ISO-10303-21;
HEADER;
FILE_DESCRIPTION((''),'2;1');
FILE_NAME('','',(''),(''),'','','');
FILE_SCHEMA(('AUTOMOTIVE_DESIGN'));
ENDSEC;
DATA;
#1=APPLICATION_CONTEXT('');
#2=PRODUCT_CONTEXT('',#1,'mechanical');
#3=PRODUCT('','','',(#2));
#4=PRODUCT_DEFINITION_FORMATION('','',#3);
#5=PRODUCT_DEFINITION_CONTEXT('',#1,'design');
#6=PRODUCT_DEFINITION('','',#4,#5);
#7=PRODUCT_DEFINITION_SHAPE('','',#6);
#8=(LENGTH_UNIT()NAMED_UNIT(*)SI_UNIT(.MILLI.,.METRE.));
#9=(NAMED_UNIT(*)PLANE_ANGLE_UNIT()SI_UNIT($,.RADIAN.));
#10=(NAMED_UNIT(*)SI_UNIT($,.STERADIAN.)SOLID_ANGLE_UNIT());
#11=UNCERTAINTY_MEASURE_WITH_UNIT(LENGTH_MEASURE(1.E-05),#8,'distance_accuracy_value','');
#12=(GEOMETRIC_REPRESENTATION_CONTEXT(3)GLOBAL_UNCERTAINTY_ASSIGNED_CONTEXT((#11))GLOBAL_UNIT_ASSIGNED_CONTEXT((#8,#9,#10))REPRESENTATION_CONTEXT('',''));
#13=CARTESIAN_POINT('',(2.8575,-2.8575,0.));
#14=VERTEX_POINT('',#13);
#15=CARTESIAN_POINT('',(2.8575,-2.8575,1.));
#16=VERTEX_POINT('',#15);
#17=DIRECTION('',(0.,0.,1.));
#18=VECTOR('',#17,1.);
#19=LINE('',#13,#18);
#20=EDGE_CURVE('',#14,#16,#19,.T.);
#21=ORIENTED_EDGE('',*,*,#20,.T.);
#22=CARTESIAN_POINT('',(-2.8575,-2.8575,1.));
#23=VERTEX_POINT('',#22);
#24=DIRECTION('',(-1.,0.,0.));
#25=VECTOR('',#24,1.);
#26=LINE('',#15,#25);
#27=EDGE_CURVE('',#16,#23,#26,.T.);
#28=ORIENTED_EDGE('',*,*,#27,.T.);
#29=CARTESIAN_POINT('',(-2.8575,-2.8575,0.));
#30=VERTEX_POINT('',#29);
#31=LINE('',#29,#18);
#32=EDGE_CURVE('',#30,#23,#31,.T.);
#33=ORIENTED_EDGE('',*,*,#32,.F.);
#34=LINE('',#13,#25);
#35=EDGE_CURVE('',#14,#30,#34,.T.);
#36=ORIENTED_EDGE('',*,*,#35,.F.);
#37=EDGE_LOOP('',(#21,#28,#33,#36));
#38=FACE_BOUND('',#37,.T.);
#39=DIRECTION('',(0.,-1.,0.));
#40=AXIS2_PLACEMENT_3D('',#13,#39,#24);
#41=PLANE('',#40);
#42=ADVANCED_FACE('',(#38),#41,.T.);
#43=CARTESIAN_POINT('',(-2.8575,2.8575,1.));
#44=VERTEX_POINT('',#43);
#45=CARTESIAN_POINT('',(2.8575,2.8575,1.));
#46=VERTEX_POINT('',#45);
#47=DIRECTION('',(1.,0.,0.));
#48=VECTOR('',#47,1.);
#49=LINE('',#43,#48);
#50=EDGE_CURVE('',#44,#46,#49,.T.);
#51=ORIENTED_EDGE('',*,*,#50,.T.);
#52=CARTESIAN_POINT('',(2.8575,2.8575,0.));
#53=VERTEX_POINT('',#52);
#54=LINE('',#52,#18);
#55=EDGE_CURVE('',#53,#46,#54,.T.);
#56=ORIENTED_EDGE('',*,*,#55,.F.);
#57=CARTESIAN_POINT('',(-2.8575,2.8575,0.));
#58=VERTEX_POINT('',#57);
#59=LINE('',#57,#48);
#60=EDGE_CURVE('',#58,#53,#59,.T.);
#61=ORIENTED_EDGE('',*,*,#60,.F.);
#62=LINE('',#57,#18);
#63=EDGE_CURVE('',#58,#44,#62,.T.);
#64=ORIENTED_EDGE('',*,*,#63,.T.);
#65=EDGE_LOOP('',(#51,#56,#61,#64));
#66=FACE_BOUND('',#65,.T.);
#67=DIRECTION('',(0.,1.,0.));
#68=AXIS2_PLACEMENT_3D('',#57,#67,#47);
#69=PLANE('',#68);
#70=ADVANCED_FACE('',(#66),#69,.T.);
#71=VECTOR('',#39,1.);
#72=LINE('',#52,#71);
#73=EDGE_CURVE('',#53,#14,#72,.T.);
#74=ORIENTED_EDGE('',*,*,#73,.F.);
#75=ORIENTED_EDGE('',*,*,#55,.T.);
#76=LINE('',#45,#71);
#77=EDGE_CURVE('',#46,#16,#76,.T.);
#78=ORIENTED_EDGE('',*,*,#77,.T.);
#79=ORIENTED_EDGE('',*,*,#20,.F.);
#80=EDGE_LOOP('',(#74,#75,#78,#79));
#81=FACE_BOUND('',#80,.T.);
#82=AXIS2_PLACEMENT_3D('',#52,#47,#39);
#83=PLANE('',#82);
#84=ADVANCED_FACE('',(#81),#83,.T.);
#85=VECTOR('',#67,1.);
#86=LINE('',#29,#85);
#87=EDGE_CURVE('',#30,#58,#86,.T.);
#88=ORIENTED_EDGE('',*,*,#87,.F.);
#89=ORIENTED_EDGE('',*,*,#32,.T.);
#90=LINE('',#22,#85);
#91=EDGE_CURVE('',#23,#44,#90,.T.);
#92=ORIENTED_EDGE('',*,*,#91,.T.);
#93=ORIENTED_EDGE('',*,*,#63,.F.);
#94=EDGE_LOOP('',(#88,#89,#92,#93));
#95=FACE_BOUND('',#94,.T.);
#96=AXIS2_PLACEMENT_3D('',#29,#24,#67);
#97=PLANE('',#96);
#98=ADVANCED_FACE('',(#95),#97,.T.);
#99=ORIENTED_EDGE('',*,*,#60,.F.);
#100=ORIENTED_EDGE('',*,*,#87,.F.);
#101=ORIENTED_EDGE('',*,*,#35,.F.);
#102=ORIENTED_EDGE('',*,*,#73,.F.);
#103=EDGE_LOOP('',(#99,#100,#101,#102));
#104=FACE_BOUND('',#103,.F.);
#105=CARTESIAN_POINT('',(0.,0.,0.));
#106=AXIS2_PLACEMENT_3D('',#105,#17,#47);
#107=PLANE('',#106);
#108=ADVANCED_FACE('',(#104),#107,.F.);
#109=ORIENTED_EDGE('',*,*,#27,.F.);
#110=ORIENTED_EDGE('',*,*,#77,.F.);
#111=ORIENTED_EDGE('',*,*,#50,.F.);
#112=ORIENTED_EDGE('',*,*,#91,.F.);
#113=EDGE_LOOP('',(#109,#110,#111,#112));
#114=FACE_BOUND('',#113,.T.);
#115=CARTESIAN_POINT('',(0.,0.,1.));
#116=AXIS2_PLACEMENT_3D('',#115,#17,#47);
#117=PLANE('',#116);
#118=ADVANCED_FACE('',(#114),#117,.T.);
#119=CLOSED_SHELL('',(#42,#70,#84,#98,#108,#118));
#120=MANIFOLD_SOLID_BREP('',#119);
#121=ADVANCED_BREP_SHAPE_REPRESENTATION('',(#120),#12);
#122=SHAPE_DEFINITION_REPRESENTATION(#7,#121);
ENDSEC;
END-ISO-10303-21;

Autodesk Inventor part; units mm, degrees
ref_plane "YZ Plane" through (0, 0, 0) normal (1, 0, 0) x (0, 1, 0)
ref_plane "XZ Plane" through (0, 0, 0) normal (0, 1, 0) x (-1, 0, 0)
ref_plane "XY Plane" through (0, 0, 0) normal (0, 0, 1) x (1, 0, 0)
sketch "STAND-OFF, STAND-OFF_65" plane through (0, 0, 0) normal (0, 0, 1) x (1, 0, 0)
  line L0 (-2.8575, 2.8575) -> (2.8575, 2.8575)
  line L1 (2.8575, 2.8575) -> (2.8575, -2.8575)
  line L2 (2.8575, -2.8575) -> (-2.8575, -2.8575)
  line L3 (-2.8575, -2.8575) -> (-2.8575, 2.8575)
extrude "Extrusion1" add sketch "STAND-OFF, STAND-OFF_65" along normal blind 1
properties part number "STAND-OFF"
